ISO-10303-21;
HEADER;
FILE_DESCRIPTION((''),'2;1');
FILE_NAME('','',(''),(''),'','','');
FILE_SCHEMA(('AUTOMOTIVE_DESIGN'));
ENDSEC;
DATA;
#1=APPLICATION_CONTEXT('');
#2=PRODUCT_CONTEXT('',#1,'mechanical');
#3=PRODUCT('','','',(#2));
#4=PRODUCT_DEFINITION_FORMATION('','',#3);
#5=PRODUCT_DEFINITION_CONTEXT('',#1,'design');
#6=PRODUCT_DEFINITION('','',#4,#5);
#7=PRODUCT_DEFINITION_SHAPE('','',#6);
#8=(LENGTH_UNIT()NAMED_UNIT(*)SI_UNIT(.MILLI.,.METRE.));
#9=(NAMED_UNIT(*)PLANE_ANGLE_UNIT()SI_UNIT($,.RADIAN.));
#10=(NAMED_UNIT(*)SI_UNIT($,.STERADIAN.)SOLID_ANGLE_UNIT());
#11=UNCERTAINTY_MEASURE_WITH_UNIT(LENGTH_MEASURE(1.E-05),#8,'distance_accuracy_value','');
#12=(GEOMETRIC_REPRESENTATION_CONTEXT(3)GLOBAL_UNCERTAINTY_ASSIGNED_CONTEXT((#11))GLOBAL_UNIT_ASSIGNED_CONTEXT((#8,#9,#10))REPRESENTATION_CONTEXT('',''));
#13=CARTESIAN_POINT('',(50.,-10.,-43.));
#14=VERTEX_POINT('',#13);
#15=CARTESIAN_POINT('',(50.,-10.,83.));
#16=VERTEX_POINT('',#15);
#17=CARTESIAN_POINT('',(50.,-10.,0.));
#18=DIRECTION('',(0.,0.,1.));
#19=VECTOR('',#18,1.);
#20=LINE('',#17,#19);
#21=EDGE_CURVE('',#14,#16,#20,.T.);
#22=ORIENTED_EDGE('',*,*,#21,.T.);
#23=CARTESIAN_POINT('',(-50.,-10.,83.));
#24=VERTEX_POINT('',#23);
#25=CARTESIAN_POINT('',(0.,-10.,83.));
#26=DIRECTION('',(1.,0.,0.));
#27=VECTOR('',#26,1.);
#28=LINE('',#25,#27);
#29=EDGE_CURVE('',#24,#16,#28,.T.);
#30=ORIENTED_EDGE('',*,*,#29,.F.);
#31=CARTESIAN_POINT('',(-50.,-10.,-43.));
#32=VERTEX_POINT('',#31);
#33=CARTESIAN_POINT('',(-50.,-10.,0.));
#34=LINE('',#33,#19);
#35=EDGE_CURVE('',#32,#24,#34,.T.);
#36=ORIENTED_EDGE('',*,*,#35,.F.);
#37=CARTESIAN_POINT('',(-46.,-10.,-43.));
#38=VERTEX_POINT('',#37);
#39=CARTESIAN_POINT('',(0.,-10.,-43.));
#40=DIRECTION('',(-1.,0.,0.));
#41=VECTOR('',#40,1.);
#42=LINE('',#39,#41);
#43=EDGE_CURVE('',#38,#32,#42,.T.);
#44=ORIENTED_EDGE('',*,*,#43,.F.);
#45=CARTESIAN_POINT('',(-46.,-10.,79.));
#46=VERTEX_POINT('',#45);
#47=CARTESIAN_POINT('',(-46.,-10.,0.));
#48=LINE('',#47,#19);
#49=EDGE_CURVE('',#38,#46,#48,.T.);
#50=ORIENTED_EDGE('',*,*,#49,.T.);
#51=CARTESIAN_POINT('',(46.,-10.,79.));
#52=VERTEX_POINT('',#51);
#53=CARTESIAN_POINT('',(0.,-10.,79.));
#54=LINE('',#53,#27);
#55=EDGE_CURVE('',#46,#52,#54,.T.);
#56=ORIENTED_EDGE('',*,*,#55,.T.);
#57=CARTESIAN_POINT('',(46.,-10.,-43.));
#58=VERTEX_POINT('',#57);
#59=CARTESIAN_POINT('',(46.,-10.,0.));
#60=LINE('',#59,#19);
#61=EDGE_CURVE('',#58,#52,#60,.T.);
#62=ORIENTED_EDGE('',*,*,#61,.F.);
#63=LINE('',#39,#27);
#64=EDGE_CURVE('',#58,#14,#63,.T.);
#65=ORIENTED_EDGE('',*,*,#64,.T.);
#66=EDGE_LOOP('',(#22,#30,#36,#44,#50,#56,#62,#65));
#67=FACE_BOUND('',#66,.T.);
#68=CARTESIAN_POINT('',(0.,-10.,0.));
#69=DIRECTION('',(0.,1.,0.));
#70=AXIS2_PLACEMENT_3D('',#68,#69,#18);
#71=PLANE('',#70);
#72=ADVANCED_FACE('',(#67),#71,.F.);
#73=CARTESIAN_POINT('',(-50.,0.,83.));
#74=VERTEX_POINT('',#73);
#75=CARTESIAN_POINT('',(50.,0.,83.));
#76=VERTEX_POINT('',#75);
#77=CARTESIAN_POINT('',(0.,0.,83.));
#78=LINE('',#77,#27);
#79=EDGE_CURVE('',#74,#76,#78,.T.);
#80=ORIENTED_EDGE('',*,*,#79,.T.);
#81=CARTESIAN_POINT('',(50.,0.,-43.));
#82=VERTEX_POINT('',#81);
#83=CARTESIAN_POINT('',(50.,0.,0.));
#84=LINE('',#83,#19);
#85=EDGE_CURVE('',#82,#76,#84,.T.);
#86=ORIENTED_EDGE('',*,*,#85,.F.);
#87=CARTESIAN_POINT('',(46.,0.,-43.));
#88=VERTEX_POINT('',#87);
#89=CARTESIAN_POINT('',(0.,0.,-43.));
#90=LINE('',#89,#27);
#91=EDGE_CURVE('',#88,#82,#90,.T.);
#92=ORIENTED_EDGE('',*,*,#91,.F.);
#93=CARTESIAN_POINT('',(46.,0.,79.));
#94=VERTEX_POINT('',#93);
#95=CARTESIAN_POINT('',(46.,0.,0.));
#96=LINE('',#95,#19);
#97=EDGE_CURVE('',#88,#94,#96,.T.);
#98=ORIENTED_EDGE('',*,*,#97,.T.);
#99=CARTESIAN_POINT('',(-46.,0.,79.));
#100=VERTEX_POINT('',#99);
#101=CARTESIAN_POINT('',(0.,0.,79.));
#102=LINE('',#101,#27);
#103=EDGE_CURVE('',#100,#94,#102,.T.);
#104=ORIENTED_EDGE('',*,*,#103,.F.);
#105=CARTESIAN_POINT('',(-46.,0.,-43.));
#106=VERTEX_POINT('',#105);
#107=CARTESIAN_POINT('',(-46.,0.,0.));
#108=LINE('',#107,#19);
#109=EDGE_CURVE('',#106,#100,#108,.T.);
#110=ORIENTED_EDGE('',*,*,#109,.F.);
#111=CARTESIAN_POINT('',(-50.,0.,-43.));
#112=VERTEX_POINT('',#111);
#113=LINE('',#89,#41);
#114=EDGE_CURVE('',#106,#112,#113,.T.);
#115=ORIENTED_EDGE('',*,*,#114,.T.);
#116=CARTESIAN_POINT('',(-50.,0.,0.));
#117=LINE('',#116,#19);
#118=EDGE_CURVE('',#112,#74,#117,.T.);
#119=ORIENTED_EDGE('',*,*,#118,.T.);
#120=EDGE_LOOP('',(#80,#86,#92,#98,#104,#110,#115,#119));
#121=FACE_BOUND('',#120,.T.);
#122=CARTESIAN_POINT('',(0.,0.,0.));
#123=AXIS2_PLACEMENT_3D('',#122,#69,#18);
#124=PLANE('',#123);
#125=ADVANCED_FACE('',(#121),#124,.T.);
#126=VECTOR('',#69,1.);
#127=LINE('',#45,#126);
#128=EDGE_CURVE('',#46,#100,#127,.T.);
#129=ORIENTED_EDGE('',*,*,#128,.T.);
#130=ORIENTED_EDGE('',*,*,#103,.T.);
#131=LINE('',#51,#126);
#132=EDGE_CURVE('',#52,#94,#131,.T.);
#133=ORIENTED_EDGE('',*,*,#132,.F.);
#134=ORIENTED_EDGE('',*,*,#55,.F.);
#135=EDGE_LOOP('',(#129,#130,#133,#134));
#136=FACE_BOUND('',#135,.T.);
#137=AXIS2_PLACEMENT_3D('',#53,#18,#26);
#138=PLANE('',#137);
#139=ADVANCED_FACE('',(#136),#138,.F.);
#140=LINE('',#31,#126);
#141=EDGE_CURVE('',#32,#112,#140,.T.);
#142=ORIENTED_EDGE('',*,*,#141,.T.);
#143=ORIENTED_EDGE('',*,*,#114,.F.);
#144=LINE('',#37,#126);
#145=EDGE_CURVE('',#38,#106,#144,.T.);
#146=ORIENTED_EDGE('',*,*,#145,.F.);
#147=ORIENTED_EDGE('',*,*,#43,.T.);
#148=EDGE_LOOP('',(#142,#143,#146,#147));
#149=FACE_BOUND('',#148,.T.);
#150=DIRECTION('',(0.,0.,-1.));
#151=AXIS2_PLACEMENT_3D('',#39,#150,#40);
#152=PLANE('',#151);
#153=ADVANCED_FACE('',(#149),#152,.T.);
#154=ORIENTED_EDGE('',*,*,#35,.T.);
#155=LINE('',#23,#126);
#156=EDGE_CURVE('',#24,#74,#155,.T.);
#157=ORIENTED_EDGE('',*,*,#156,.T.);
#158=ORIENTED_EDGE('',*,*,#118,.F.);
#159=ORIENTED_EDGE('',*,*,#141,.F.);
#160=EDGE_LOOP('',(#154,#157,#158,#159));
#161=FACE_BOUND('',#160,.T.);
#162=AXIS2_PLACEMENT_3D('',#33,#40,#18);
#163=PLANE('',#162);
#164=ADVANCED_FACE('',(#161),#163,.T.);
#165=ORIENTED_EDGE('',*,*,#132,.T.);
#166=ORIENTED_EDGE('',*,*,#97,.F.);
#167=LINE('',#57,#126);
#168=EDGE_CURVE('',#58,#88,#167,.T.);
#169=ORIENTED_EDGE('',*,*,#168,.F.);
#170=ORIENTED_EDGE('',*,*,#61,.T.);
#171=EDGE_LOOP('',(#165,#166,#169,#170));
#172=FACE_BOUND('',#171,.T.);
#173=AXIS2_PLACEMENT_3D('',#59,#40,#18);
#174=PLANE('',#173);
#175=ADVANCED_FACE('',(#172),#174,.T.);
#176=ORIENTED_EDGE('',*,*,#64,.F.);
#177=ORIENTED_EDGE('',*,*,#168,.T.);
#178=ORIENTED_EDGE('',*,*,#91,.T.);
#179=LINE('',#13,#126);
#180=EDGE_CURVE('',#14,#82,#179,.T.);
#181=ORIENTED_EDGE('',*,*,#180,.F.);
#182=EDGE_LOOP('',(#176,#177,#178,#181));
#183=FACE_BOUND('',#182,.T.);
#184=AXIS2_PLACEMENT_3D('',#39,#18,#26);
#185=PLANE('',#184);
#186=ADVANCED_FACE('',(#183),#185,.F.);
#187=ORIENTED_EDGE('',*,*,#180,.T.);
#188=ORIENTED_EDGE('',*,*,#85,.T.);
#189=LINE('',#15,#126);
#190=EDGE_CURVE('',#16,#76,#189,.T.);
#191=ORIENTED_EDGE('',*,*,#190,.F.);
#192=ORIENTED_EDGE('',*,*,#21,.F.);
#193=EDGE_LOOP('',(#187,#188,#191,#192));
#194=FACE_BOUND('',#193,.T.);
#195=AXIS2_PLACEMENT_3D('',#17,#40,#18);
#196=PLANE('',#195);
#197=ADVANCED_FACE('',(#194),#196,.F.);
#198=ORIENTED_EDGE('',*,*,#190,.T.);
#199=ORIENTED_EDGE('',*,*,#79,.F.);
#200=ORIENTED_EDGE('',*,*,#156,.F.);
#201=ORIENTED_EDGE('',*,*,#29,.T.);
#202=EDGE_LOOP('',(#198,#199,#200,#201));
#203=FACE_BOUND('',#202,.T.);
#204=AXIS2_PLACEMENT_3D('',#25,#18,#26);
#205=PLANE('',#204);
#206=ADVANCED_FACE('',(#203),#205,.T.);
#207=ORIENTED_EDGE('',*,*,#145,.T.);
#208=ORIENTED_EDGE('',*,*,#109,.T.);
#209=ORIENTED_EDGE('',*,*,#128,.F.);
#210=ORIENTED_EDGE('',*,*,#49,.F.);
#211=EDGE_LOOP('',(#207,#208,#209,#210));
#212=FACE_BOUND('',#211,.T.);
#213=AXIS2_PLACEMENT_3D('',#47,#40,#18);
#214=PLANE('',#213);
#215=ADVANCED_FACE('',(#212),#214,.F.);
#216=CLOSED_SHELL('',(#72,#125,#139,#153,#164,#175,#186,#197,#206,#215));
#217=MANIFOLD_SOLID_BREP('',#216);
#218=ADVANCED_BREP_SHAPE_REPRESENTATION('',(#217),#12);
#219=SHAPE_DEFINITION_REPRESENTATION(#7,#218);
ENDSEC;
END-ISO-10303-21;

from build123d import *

# Parameters (mm, degrees)
DISPLAY_SUPPORT_DEPTH = 10


with BuildPart() as part:
    # Sketch1 → DISPLAY SUPPORT (new body)
    with BuildSketch(Plane(origin=(0, 0, 0), x_dir=(1, 0, 0), z_dir=(0, 1, 0))):
        Polygon((50, 43), (46, 43), (46, -79), (-46, -79), (-46, 43), (-50, 43), (-50, -83), (50, -83), align=None)
    extrude(amount=-DISPLAY_SUPPORT_DEPTH)


solid = part.part
